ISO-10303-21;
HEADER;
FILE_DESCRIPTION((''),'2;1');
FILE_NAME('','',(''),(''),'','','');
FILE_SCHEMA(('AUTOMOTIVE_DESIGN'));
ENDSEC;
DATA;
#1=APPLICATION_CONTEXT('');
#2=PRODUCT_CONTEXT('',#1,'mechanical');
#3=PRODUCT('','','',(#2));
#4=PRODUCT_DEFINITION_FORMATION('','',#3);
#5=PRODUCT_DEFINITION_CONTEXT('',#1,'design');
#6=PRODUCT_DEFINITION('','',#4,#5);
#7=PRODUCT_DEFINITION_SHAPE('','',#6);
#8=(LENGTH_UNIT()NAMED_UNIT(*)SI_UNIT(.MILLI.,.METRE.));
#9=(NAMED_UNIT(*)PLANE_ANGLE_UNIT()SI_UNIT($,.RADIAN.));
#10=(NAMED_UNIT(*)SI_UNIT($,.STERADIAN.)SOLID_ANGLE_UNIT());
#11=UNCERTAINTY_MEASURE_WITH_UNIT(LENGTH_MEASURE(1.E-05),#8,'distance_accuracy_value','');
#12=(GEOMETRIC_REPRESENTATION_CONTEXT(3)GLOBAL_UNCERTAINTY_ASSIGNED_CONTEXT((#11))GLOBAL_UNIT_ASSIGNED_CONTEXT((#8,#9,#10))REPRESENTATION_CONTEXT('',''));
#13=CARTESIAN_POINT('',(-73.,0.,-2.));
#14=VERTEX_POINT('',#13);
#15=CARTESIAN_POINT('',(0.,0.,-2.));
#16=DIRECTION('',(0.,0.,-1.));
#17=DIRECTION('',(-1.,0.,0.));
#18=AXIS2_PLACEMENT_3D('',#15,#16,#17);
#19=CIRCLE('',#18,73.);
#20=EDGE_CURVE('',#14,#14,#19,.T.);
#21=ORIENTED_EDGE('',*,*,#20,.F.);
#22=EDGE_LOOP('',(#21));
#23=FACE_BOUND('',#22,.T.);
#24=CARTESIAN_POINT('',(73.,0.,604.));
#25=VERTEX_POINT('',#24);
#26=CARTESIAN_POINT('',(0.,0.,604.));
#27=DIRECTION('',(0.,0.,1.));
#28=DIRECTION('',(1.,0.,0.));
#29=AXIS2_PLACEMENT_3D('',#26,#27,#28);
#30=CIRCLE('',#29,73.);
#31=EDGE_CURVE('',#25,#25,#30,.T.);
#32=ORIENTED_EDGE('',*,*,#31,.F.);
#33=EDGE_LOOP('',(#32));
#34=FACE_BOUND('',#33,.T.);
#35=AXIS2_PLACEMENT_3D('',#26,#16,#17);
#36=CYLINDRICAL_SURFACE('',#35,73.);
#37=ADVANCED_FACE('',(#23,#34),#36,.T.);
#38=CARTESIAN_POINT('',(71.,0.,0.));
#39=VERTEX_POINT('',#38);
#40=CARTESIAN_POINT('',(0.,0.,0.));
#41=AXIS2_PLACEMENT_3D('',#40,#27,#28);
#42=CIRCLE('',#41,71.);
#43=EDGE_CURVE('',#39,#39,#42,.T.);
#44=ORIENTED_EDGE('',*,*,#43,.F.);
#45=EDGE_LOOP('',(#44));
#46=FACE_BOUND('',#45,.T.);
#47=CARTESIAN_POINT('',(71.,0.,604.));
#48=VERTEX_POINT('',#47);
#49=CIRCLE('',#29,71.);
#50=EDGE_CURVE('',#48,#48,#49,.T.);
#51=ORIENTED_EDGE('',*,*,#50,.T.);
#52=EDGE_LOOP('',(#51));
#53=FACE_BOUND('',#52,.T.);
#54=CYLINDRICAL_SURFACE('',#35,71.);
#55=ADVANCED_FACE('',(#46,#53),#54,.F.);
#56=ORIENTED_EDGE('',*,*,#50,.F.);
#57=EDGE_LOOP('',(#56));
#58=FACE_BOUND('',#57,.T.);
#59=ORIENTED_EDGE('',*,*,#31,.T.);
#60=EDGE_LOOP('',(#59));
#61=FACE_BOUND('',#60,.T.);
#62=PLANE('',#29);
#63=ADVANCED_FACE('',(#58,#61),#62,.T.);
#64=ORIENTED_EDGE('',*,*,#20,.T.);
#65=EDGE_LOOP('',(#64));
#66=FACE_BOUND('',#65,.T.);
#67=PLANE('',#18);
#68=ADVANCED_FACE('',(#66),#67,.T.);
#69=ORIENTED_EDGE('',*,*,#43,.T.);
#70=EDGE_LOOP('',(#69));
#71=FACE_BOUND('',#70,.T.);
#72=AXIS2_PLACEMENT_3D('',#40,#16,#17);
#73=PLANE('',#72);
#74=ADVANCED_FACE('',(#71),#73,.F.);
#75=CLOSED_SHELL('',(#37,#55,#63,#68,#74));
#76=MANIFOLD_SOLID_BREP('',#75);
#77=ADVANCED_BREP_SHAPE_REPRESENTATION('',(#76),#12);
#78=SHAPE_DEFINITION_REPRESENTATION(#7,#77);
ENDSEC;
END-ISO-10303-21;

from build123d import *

# Parameters (mm, degrees)
SKETCH1_R           = 73
SKETCH1_R_2         = 71
BOSS_EXTRUDE1_DEPTH = 604
BOSS_EXTRUDE2_START = 2
SKETCH2_R           = 73
BOSS_EXTRUDE2_DEPTH = 2


with BuildPart() as part:
    # Sketch1 → Boss-Extrude1 (new body)
    with BuildSketch(Plane.XY):
        Circle(SKETCH1_R)
        Circle(SKETCH1_R_2, mode=Mode.SUBTRACT)
    extrude(amount=BOSS_EXTRUDE1_DEPTH)

    # Sketch2 → Boss-Extrude2 (add)
    with BuildSketch(Plane(origin=(0, 0, 0), x_dir=(-1, 0, 0), z_dir=(0, 0, -1)).offset(BOSS_EXTRUDE2_START)):
        Circle(SKETCH2_R)
    extrude(amount=-BOSS_EXTRUDE2_DEPTH)


solid = part.part
